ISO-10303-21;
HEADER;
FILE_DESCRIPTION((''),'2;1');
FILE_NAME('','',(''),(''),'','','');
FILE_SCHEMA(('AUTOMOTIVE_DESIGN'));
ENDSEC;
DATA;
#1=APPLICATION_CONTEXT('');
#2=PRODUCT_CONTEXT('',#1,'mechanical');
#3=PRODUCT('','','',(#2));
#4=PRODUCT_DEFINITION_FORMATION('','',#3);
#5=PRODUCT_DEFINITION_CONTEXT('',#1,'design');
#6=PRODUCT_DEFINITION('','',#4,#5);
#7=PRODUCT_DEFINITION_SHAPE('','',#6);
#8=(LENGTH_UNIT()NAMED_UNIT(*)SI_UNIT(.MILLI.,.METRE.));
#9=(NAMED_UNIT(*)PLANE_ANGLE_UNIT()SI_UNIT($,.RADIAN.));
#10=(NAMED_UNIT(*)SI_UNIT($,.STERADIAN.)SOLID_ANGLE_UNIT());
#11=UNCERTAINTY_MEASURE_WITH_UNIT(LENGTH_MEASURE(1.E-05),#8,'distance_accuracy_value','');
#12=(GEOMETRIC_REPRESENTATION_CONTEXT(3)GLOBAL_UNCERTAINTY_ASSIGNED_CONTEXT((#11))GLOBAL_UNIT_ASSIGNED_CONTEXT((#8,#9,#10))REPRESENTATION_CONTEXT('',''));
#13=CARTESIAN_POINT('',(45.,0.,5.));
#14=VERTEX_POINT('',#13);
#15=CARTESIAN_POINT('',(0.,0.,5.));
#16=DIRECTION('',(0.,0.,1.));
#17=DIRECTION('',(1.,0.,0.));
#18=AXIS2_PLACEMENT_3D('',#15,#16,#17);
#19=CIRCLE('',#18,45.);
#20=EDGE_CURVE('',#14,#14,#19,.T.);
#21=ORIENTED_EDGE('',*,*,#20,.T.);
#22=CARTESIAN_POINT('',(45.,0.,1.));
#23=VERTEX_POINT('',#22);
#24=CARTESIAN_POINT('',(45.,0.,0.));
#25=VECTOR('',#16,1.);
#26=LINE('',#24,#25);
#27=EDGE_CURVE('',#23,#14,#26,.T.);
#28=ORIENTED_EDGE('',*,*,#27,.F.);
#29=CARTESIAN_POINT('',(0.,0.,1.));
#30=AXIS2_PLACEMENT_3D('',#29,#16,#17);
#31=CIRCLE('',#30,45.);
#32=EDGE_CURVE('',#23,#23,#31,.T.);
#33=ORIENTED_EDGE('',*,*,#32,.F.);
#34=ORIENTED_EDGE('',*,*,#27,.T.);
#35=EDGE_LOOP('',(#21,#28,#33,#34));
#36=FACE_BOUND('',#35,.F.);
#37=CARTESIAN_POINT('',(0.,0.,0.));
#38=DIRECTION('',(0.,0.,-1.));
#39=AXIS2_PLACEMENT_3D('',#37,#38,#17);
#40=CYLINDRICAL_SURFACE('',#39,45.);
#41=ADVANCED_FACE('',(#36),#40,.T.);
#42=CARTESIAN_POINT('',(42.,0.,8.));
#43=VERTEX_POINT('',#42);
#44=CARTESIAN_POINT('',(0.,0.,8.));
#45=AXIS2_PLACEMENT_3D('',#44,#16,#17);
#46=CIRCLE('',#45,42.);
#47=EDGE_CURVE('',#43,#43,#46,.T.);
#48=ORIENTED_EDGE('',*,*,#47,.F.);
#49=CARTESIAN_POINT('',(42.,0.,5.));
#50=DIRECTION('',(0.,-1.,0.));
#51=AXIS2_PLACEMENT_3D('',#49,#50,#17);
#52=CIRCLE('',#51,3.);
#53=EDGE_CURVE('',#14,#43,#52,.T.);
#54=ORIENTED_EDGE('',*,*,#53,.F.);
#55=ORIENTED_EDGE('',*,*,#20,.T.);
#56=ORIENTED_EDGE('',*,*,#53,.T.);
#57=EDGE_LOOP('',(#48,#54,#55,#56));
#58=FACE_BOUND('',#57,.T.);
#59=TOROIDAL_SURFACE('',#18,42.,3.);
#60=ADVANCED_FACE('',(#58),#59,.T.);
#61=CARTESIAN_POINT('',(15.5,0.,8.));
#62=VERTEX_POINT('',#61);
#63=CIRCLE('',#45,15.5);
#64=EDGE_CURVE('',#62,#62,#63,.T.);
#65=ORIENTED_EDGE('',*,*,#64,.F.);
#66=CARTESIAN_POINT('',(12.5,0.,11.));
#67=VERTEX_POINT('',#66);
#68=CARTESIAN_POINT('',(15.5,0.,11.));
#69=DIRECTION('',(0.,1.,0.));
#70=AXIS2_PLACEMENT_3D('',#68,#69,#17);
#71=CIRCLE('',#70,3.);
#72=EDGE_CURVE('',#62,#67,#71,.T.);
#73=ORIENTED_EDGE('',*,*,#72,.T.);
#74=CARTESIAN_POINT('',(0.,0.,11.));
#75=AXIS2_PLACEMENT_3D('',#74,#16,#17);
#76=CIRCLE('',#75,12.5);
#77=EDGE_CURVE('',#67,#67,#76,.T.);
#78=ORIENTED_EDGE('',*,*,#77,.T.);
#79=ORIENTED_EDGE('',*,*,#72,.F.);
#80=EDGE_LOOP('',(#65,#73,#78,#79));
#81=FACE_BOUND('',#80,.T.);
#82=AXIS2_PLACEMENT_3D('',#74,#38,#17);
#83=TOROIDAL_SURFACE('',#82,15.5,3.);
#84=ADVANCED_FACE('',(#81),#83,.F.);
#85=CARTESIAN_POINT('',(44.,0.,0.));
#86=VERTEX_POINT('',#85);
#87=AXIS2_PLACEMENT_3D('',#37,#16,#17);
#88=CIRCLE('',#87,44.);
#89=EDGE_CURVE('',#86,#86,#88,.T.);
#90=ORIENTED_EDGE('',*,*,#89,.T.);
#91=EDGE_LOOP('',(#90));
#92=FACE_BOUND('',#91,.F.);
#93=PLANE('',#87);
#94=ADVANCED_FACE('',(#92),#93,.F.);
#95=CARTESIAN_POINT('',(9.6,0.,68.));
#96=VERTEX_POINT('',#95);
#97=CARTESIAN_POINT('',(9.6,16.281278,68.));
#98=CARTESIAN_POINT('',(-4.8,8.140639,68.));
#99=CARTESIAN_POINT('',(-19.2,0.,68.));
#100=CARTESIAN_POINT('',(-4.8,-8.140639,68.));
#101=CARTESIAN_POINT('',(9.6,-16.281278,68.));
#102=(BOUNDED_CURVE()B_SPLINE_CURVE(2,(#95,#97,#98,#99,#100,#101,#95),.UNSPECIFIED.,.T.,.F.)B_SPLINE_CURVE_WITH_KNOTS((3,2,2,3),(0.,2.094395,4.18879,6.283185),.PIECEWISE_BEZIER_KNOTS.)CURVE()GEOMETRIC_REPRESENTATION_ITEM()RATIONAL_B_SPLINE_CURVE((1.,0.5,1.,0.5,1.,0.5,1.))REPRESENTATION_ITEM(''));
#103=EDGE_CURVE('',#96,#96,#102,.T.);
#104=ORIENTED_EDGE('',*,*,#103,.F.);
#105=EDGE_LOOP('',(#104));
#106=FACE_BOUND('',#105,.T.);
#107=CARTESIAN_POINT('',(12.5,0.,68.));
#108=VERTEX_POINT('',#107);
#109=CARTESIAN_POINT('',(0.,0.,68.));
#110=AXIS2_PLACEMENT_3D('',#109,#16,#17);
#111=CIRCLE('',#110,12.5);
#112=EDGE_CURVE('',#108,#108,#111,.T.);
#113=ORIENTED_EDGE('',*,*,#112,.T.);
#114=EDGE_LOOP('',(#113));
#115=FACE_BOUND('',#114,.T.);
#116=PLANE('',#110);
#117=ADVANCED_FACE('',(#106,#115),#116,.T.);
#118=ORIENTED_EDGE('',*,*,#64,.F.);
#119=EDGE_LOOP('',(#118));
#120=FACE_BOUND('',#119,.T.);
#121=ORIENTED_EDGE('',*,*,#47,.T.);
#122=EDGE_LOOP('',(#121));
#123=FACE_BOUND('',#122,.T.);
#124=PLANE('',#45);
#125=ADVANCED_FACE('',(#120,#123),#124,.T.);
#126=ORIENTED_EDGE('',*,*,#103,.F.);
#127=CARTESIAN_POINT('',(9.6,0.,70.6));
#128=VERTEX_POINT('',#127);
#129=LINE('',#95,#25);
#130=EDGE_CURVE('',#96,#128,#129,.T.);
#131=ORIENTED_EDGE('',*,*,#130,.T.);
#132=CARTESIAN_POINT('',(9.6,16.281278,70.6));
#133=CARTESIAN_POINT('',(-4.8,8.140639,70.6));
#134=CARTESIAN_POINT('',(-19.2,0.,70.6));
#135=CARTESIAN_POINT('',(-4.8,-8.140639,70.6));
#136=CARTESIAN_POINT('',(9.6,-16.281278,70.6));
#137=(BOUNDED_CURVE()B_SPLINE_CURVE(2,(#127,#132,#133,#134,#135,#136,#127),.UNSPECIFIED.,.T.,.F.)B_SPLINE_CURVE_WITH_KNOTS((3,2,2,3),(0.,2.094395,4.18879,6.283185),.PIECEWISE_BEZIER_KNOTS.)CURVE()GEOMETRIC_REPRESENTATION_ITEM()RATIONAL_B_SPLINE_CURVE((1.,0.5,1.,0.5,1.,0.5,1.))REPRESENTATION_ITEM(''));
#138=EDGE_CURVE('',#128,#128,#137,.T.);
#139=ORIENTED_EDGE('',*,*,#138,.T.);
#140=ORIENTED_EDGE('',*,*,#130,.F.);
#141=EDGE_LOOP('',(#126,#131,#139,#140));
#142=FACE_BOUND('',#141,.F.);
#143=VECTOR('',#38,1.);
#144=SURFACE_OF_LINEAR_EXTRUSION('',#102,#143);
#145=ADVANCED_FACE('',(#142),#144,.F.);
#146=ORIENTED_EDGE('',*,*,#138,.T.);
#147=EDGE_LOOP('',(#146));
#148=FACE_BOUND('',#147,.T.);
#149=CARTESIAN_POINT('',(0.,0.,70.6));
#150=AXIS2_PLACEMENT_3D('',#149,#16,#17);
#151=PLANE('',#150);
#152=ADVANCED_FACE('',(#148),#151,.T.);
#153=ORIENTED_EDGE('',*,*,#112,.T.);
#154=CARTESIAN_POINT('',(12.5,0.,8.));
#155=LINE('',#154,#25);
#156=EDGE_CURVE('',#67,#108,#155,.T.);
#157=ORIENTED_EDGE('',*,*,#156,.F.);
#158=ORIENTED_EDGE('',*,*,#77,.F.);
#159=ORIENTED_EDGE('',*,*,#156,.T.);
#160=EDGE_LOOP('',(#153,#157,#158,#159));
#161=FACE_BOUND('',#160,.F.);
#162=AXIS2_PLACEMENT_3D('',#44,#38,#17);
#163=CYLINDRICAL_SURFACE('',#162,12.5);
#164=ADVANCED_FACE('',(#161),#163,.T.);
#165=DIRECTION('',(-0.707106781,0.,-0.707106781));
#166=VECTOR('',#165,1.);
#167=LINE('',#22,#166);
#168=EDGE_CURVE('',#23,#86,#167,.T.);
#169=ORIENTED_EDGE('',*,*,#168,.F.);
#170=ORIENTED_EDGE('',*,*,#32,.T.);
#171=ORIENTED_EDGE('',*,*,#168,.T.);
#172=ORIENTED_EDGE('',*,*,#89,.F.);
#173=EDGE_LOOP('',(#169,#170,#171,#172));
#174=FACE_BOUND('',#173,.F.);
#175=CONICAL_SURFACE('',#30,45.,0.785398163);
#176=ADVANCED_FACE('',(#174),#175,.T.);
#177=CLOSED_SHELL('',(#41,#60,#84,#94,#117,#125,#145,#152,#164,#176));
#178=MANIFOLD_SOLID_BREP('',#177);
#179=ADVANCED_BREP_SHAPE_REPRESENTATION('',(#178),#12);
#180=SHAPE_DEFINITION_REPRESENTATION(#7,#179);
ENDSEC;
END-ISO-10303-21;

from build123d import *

# Parameters (mm, degrees)
SKETCH_R     = 45
PAD_DEPTH    = 8
SKETCH001_R  = 12.5
PAD001_DEPTH = 60
PAD002_DEPTH = 2.6
FILLET_R     = 3
CHAMFER_SIZE = 1


with BuildPart() as part:
    # Sketch → Pad (new body)
    with BuildSketch(Plane.XY):
        Circle(SKETCH_R)
    extrude(amount=PAD_DEPTH)

    # Sketch001 → Pad001 (join)
    with BuildSketch(Plane.XY.offset(8)):
        Circle(SKETCH001_R)
    extrude(amount=PAD001_DEPTH)

    # Sketch002 → Pad002 (join)
    with BuildSketch(Plane.XY.offset(68)):
        with BuildLine():
            add(Edge.make_bspline(
                [(9.6, 0), (9.6, 16.281278), (-4.8, 8.140639), (-19.2, 0), (-4.8, -8.140639), (9.6, -16.281278), (9.6, 0)],
                knots=[0, 0, 0, 2.094395, 2.094395, 4.18879, 4.18879, 6.283185, 6.283185, 6.283185], degree=2, weights=[1, 0.5, 1, 0.5, 1, 0.5, 1]))
        make_face()
    extrude(amount=PAD002_DEPTH)

    # Fillet
    fillet_edges = [part.edges().sort_by_distance(p)[0] for p in [
        (-45, 0, 8),
        (-12.5, 0, 8),
    ]]
    fillet(fillet_edges, radius=FILLET_R)

    # Chamfer
    chamfer_edges = [part.edges().sort_by_distance(p)[0] for p in [
        (-45, 0, 0),
    ]]
    chamfer(chamfer_edges, length=CHAMFER_SIZE)


solid = part.part
